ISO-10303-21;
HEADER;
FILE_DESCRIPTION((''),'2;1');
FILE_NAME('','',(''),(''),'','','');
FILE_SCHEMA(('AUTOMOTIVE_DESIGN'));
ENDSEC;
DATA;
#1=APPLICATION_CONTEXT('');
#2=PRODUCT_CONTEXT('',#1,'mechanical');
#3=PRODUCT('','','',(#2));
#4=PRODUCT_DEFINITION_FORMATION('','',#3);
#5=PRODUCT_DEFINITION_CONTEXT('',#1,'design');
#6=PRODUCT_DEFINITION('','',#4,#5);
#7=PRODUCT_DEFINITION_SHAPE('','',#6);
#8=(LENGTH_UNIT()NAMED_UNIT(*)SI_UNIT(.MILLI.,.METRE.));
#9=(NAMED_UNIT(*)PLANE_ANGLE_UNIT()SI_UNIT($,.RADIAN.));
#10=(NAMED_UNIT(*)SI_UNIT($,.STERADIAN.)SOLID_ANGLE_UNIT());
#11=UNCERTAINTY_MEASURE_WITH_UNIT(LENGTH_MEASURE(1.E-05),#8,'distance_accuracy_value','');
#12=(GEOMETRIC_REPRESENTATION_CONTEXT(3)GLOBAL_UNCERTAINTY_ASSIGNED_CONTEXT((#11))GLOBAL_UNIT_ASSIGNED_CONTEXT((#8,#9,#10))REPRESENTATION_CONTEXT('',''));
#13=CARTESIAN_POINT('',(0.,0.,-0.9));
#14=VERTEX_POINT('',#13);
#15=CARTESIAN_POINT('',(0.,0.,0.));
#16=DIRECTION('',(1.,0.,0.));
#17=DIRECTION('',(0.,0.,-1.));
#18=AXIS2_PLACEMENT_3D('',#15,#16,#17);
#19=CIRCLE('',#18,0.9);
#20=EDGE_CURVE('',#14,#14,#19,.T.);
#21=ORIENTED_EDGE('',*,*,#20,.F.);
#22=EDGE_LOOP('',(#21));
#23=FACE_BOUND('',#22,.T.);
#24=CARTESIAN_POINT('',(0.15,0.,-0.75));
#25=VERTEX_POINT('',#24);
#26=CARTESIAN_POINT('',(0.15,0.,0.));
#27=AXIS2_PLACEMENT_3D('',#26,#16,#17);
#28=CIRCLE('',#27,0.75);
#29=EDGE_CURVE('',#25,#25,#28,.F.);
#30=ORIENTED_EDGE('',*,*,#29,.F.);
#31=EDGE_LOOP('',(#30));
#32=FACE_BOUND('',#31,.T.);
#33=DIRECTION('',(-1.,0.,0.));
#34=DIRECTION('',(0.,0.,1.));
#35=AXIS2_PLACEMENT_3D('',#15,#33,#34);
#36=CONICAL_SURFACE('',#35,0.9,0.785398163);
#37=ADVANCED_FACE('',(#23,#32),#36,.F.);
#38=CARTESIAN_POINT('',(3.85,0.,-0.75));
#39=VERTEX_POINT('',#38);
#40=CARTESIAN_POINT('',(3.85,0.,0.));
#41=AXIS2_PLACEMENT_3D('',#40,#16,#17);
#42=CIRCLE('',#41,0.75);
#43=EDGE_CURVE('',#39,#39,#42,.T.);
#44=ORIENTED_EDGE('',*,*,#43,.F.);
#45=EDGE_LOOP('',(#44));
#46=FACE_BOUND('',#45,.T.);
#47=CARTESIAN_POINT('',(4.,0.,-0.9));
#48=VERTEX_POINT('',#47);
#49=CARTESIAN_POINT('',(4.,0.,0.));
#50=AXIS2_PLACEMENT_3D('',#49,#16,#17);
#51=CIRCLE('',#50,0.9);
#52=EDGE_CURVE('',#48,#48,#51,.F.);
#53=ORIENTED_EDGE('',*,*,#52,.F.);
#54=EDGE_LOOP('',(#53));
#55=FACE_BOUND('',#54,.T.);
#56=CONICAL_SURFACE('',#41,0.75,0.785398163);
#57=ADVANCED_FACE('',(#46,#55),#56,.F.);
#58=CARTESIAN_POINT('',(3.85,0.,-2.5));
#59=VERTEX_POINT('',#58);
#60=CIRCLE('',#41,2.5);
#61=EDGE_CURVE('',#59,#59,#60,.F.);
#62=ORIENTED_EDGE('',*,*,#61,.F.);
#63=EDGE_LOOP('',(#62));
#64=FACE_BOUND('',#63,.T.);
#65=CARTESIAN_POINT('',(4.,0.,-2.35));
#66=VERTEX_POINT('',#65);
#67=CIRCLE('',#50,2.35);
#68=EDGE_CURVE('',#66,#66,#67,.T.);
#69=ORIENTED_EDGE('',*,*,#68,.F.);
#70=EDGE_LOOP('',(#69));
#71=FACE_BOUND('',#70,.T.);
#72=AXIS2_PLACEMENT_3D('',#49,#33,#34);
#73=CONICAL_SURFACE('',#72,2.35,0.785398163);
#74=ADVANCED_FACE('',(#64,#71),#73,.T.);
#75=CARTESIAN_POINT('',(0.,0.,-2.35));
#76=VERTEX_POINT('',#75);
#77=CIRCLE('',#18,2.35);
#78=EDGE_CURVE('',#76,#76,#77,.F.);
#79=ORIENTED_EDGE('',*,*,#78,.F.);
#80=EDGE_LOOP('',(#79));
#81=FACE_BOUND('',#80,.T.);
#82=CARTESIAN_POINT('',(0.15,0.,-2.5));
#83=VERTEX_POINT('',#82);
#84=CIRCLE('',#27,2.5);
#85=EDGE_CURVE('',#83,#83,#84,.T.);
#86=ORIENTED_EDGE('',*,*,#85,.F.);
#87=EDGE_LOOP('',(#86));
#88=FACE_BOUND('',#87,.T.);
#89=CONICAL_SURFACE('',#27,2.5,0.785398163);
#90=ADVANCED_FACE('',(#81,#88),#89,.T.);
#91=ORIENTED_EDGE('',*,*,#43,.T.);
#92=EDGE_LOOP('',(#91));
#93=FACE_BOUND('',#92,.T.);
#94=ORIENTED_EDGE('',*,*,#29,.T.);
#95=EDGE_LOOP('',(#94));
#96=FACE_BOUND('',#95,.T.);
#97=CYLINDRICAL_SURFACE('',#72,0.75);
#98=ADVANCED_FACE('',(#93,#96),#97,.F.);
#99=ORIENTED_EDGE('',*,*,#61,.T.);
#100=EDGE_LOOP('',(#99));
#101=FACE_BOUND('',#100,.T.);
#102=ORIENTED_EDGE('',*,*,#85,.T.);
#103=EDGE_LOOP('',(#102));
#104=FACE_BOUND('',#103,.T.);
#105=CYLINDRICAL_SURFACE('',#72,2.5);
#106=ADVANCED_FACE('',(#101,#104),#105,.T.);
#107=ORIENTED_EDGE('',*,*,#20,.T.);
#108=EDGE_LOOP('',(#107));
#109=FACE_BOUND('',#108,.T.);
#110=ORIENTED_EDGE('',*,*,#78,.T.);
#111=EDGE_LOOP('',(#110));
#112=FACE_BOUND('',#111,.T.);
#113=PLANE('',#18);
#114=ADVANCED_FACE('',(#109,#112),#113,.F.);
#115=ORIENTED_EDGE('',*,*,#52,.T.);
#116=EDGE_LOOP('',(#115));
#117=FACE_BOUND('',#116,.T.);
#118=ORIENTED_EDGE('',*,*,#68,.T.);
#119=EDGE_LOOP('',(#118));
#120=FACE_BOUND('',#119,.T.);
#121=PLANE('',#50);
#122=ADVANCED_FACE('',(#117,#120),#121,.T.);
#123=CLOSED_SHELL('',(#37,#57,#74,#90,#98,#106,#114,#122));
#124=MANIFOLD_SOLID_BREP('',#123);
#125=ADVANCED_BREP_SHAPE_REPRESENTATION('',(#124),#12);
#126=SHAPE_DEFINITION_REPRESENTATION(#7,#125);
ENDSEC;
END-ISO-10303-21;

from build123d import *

# Parameters (mm, degrees)
SKETCH1_R           = 2.5
SKETCH1_R_2         = 0.75
BOSS_EXTRUDE1_DEPTH = 4
CHAMFER1_SIZE       = 0.15


with BuildPart() as part:
    # Sketch1 → Boss-Extrude1 (new body)
    with BuildSketch(Plane(origin=(0, 0, 0), x_dir=(0, 0, -1), z_dir=(1, 0, 0))):
        Circle(SKETCH1_R)
        Circle(SKETCH1_R_2, mode=Mode.SUBTRACT)
    extrude(amount=BOSS_EXTRUDE1_DEPTH)

    # Chamfer1
    chamfer1_edges = [part.edges().sort_by_distance(p)[0] for p in [
        (0, 0, 2.5),
        (4, 0, 2.5),
        (0, 0, 0.75),
        (4, 0, 0.75),
    ]]
    chamfer(chamfer1_edges, length=CHAMFER1_SIZE)


solid = part.part
